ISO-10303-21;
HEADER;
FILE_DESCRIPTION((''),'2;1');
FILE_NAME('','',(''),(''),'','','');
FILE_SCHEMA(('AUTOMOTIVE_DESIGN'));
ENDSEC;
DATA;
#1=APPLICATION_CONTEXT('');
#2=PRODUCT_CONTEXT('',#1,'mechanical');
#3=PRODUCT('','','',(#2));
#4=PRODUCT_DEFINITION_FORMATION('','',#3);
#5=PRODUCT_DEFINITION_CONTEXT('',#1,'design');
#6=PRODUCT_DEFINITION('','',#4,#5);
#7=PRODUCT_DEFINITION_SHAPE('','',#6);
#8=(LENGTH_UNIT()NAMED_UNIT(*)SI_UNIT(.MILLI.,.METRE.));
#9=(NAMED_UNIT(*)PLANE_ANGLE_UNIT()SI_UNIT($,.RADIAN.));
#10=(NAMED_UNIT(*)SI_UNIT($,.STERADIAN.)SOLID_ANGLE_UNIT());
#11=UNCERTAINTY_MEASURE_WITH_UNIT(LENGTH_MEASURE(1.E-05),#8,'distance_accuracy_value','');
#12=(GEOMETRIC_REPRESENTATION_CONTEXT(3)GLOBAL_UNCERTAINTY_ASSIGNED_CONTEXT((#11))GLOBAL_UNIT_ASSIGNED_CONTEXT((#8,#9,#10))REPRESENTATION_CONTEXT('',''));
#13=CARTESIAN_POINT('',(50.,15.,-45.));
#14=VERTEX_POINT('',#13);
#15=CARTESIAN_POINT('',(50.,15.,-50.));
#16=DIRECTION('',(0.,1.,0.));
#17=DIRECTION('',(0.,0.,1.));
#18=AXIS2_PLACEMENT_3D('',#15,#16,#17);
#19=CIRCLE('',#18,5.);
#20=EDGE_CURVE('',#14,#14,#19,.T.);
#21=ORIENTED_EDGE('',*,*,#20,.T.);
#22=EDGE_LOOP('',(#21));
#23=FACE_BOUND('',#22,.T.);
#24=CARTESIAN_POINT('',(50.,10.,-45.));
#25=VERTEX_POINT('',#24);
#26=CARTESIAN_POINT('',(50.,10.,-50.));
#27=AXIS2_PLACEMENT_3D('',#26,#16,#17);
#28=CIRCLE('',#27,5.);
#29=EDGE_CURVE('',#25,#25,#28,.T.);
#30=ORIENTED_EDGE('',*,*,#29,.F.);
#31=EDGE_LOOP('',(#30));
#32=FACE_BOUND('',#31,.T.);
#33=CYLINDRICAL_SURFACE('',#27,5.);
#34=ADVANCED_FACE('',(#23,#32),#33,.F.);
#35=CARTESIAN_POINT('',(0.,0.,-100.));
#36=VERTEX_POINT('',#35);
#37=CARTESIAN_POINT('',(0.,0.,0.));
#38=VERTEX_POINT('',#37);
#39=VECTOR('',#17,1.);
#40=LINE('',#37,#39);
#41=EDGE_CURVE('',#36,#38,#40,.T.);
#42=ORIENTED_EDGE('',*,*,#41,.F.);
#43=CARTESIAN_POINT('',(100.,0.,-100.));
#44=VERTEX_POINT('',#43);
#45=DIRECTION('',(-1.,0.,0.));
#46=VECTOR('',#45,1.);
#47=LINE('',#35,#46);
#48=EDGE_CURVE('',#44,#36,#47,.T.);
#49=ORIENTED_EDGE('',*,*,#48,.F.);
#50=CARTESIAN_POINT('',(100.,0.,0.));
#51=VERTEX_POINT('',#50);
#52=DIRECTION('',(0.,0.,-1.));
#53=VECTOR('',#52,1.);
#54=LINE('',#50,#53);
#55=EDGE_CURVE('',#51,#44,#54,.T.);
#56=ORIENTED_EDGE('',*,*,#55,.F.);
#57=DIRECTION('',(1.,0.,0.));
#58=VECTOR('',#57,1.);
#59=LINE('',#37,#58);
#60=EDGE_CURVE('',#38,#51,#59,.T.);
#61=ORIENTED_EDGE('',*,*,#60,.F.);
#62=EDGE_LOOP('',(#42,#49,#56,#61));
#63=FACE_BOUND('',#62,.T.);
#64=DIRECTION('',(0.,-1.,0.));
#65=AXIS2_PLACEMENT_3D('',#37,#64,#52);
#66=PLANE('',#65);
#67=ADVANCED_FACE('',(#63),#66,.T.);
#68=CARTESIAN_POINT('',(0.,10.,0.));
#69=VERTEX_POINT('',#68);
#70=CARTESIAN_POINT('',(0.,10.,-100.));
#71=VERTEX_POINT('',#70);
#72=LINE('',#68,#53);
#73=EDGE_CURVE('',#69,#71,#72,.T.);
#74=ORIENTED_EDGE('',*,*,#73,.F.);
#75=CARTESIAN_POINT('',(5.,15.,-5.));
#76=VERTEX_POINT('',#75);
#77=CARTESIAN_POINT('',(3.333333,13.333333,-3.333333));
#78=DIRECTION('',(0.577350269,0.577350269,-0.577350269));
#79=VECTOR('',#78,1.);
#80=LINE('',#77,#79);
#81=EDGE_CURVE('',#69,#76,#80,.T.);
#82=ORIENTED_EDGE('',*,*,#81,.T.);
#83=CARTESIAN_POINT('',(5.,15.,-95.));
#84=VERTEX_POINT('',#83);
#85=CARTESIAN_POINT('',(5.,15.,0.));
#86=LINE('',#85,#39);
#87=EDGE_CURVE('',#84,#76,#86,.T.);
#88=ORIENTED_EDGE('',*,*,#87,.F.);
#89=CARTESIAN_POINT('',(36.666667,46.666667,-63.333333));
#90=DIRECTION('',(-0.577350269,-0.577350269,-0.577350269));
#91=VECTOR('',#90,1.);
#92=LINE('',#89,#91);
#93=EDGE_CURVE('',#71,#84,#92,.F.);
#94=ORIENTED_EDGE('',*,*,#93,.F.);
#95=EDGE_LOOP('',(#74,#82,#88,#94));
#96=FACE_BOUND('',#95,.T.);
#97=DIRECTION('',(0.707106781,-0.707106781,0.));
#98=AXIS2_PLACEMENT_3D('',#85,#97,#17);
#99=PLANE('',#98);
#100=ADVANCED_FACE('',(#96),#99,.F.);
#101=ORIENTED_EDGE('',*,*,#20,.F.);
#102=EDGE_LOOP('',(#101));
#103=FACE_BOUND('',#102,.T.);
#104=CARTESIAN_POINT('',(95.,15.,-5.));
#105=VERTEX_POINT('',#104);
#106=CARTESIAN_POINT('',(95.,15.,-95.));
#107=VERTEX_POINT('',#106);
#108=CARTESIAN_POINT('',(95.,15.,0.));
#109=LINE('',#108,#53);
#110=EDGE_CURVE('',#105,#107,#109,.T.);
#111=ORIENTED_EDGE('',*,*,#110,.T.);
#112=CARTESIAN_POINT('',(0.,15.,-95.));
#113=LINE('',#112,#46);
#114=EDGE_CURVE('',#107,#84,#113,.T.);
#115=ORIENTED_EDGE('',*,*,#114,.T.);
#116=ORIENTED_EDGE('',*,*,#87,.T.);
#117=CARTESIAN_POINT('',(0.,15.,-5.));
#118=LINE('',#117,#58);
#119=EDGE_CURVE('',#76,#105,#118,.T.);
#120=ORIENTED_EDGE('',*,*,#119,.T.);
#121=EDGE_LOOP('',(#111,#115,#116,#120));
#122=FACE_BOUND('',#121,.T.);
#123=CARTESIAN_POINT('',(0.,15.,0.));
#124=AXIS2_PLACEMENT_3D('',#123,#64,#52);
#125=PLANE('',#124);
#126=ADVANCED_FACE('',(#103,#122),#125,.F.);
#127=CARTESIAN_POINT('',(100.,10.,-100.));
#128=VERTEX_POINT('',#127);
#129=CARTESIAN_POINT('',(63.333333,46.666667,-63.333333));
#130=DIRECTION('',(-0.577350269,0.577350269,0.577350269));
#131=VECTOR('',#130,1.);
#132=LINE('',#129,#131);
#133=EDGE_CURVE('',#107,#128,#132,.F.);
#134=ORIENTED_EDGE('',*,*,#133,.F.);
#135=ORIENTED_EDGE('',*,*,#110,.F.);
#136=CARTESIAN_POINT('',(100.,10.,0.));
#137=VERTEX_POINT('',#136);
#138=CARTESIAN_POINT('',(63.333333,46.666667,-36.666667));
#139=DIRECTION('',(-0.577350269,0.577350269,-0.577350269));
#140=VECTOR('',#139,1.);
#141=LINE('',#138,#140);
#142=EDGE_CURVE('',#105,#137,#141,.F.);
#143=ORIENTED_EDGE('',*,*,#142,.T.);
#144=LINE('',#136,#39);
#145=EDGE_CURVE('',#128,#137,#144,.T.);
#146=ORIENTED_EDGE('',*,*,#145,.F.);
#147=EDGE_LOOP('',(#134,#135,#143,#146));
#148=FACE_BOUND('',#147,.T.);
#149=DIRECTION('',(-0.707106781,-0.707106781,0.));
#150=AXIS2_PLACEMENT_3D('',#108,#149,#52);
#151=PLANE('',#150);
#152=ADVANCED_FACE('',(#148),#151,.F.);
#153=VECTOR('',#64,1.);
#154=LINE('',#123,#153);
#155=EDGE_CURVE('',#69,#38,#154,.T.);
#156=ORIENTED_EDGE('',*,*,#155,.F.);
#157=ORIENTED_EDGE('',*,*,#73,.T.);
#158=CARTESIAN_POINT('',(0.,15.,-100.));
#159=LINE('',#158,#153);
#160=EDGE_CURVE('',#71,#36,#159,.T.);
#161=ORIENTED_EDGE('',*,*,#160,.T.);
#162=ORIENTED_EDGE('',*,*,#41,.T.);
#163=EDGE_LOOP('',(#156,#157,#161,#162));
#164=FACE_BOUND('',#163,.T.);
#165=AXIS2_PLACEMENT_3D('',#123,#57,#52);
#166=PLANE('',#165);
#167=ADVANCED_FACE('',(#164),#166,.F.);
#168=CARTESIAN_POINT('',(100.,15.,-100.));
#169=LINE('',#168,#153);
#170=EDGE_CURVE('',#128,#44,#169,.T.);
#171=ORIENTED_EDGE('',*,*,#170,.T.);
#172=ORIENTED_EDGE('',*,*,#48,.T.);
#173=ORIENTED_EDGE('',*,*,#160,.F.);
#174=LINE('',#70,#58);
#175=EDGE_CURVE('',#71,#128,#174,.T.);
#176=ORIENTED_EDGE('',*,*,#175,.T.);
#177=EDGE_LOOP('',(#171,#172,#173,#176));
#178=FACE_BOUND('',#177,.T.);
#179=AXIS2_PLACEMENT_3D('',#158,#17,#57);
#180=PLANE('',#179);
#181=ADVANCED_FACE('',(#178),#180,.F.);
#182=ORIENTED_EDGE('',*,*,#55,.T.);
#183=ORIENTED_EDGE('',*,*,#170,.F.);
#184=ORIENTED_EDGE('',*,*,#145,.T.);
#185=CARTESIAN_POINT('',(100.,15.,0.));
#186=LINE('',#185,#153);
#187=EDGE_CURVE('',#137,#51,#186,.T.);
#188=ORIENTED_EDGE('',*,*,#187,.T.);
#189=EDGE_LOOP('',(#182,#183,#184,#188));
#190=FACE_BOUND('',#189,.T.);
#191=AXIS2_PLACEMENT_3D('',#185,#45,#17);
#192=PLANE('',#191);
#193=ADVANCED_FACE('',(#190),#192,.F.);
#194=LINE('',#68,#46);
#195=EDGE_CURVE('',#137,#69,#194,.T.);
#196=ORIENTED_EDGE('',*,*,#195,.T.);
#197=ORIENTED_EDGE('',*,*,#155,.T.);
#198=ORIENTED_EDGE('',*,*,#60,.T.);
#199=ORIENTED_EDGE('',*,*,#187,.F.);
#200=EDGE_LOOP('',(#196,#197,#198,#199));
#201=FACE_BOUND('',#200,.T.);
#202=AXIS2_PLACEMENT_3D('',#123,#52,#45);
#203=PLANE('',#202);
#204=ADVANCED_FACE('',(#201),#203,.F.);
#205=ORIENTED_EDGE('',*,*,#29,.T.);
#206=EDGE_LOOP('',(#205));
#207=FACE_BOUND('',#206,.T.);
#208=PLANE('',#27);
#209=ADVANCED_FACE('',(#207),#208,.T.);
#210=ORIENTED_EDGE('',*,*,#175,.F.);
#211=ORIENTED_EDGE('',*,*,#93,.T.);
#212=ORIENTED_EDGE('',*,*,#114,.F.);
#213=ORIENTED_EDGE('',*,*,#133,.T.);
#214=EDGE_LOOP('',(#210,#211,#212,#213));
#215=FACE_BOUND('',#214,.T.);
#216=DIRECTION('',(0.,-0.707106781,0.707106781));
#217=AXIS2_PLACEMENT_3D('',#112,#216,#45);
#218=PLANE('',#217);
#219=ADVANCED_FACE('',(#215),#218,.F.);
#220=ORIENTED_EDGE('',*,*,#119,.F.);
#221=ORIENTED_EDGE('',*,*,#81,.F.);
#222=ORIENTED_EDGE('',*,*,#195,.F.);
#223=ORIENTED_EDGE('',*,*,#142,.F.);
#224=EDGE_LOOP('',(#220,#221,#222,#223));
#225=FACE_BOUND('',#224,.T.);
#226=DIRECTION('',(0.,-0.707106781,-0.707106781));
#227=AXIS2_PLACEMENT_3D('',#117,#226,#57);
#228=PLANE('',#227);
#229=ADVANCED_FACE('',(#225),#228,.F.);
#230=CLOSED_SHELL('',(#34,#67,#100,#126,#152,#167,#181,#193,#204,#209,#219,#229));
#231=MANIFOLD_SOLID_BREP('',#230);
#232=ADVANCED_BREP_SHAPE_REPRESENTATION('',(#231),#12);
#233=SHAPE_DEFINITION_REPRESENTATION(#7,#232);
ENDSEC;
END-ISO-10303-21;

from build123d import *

# Parameters (mm, degrees)
CROQUIS1_W              = 100
CROQUIS1_H              = 100
SALIENTE_EXTRUIR1_DEPTH = 15
CHAFL_N1_SIZE           = 5
CROQUIS3_R              = 5
CORTAR_EXTRUIR1_DEPTH   = 5


with BuildPart() as part:
    # Croquis1 → Saliente-Extruir1 (new body)
    with BuildSketch(Plane(origin=(0, 0, 0), x_dir=(1, 0, 0), z_dir=(0, 1, 0))):
        with Locations((50, 50)):
            Rectangle(CROQUIS1_W, CROQUIS1_H)
    extrude(amount=SALIENTE_EXTRUIR1_DEPTH)

    # Chaflán1
    chafl_n1_edges = [part.edges().sort_by_distance(p)[0] for p in [
        (100, 15, -50),
        (50, 15, -100),
        (0, 15, -50),
        (50, 15, 0),
    ]]
    chamfer(chafl_n1_edges, length=CHAFL_N1_SIZE)

    # Croquis3 → Cortar-Extruir1 (cut)
    with BuildSketch(Plane(origin=(0, 15, 0), x_dir=(1, 0, 0), z_dir=(0, 1, 0))):
        with Locations(Location((50, 50, 0), (0, 0, 270))):
            Circle(CROQUIS3_R)
    extrude(amount=-CORTAR_EXTRUIR1_DEPTH, mode=Mode.SUBTRACT)


solid = part.part
